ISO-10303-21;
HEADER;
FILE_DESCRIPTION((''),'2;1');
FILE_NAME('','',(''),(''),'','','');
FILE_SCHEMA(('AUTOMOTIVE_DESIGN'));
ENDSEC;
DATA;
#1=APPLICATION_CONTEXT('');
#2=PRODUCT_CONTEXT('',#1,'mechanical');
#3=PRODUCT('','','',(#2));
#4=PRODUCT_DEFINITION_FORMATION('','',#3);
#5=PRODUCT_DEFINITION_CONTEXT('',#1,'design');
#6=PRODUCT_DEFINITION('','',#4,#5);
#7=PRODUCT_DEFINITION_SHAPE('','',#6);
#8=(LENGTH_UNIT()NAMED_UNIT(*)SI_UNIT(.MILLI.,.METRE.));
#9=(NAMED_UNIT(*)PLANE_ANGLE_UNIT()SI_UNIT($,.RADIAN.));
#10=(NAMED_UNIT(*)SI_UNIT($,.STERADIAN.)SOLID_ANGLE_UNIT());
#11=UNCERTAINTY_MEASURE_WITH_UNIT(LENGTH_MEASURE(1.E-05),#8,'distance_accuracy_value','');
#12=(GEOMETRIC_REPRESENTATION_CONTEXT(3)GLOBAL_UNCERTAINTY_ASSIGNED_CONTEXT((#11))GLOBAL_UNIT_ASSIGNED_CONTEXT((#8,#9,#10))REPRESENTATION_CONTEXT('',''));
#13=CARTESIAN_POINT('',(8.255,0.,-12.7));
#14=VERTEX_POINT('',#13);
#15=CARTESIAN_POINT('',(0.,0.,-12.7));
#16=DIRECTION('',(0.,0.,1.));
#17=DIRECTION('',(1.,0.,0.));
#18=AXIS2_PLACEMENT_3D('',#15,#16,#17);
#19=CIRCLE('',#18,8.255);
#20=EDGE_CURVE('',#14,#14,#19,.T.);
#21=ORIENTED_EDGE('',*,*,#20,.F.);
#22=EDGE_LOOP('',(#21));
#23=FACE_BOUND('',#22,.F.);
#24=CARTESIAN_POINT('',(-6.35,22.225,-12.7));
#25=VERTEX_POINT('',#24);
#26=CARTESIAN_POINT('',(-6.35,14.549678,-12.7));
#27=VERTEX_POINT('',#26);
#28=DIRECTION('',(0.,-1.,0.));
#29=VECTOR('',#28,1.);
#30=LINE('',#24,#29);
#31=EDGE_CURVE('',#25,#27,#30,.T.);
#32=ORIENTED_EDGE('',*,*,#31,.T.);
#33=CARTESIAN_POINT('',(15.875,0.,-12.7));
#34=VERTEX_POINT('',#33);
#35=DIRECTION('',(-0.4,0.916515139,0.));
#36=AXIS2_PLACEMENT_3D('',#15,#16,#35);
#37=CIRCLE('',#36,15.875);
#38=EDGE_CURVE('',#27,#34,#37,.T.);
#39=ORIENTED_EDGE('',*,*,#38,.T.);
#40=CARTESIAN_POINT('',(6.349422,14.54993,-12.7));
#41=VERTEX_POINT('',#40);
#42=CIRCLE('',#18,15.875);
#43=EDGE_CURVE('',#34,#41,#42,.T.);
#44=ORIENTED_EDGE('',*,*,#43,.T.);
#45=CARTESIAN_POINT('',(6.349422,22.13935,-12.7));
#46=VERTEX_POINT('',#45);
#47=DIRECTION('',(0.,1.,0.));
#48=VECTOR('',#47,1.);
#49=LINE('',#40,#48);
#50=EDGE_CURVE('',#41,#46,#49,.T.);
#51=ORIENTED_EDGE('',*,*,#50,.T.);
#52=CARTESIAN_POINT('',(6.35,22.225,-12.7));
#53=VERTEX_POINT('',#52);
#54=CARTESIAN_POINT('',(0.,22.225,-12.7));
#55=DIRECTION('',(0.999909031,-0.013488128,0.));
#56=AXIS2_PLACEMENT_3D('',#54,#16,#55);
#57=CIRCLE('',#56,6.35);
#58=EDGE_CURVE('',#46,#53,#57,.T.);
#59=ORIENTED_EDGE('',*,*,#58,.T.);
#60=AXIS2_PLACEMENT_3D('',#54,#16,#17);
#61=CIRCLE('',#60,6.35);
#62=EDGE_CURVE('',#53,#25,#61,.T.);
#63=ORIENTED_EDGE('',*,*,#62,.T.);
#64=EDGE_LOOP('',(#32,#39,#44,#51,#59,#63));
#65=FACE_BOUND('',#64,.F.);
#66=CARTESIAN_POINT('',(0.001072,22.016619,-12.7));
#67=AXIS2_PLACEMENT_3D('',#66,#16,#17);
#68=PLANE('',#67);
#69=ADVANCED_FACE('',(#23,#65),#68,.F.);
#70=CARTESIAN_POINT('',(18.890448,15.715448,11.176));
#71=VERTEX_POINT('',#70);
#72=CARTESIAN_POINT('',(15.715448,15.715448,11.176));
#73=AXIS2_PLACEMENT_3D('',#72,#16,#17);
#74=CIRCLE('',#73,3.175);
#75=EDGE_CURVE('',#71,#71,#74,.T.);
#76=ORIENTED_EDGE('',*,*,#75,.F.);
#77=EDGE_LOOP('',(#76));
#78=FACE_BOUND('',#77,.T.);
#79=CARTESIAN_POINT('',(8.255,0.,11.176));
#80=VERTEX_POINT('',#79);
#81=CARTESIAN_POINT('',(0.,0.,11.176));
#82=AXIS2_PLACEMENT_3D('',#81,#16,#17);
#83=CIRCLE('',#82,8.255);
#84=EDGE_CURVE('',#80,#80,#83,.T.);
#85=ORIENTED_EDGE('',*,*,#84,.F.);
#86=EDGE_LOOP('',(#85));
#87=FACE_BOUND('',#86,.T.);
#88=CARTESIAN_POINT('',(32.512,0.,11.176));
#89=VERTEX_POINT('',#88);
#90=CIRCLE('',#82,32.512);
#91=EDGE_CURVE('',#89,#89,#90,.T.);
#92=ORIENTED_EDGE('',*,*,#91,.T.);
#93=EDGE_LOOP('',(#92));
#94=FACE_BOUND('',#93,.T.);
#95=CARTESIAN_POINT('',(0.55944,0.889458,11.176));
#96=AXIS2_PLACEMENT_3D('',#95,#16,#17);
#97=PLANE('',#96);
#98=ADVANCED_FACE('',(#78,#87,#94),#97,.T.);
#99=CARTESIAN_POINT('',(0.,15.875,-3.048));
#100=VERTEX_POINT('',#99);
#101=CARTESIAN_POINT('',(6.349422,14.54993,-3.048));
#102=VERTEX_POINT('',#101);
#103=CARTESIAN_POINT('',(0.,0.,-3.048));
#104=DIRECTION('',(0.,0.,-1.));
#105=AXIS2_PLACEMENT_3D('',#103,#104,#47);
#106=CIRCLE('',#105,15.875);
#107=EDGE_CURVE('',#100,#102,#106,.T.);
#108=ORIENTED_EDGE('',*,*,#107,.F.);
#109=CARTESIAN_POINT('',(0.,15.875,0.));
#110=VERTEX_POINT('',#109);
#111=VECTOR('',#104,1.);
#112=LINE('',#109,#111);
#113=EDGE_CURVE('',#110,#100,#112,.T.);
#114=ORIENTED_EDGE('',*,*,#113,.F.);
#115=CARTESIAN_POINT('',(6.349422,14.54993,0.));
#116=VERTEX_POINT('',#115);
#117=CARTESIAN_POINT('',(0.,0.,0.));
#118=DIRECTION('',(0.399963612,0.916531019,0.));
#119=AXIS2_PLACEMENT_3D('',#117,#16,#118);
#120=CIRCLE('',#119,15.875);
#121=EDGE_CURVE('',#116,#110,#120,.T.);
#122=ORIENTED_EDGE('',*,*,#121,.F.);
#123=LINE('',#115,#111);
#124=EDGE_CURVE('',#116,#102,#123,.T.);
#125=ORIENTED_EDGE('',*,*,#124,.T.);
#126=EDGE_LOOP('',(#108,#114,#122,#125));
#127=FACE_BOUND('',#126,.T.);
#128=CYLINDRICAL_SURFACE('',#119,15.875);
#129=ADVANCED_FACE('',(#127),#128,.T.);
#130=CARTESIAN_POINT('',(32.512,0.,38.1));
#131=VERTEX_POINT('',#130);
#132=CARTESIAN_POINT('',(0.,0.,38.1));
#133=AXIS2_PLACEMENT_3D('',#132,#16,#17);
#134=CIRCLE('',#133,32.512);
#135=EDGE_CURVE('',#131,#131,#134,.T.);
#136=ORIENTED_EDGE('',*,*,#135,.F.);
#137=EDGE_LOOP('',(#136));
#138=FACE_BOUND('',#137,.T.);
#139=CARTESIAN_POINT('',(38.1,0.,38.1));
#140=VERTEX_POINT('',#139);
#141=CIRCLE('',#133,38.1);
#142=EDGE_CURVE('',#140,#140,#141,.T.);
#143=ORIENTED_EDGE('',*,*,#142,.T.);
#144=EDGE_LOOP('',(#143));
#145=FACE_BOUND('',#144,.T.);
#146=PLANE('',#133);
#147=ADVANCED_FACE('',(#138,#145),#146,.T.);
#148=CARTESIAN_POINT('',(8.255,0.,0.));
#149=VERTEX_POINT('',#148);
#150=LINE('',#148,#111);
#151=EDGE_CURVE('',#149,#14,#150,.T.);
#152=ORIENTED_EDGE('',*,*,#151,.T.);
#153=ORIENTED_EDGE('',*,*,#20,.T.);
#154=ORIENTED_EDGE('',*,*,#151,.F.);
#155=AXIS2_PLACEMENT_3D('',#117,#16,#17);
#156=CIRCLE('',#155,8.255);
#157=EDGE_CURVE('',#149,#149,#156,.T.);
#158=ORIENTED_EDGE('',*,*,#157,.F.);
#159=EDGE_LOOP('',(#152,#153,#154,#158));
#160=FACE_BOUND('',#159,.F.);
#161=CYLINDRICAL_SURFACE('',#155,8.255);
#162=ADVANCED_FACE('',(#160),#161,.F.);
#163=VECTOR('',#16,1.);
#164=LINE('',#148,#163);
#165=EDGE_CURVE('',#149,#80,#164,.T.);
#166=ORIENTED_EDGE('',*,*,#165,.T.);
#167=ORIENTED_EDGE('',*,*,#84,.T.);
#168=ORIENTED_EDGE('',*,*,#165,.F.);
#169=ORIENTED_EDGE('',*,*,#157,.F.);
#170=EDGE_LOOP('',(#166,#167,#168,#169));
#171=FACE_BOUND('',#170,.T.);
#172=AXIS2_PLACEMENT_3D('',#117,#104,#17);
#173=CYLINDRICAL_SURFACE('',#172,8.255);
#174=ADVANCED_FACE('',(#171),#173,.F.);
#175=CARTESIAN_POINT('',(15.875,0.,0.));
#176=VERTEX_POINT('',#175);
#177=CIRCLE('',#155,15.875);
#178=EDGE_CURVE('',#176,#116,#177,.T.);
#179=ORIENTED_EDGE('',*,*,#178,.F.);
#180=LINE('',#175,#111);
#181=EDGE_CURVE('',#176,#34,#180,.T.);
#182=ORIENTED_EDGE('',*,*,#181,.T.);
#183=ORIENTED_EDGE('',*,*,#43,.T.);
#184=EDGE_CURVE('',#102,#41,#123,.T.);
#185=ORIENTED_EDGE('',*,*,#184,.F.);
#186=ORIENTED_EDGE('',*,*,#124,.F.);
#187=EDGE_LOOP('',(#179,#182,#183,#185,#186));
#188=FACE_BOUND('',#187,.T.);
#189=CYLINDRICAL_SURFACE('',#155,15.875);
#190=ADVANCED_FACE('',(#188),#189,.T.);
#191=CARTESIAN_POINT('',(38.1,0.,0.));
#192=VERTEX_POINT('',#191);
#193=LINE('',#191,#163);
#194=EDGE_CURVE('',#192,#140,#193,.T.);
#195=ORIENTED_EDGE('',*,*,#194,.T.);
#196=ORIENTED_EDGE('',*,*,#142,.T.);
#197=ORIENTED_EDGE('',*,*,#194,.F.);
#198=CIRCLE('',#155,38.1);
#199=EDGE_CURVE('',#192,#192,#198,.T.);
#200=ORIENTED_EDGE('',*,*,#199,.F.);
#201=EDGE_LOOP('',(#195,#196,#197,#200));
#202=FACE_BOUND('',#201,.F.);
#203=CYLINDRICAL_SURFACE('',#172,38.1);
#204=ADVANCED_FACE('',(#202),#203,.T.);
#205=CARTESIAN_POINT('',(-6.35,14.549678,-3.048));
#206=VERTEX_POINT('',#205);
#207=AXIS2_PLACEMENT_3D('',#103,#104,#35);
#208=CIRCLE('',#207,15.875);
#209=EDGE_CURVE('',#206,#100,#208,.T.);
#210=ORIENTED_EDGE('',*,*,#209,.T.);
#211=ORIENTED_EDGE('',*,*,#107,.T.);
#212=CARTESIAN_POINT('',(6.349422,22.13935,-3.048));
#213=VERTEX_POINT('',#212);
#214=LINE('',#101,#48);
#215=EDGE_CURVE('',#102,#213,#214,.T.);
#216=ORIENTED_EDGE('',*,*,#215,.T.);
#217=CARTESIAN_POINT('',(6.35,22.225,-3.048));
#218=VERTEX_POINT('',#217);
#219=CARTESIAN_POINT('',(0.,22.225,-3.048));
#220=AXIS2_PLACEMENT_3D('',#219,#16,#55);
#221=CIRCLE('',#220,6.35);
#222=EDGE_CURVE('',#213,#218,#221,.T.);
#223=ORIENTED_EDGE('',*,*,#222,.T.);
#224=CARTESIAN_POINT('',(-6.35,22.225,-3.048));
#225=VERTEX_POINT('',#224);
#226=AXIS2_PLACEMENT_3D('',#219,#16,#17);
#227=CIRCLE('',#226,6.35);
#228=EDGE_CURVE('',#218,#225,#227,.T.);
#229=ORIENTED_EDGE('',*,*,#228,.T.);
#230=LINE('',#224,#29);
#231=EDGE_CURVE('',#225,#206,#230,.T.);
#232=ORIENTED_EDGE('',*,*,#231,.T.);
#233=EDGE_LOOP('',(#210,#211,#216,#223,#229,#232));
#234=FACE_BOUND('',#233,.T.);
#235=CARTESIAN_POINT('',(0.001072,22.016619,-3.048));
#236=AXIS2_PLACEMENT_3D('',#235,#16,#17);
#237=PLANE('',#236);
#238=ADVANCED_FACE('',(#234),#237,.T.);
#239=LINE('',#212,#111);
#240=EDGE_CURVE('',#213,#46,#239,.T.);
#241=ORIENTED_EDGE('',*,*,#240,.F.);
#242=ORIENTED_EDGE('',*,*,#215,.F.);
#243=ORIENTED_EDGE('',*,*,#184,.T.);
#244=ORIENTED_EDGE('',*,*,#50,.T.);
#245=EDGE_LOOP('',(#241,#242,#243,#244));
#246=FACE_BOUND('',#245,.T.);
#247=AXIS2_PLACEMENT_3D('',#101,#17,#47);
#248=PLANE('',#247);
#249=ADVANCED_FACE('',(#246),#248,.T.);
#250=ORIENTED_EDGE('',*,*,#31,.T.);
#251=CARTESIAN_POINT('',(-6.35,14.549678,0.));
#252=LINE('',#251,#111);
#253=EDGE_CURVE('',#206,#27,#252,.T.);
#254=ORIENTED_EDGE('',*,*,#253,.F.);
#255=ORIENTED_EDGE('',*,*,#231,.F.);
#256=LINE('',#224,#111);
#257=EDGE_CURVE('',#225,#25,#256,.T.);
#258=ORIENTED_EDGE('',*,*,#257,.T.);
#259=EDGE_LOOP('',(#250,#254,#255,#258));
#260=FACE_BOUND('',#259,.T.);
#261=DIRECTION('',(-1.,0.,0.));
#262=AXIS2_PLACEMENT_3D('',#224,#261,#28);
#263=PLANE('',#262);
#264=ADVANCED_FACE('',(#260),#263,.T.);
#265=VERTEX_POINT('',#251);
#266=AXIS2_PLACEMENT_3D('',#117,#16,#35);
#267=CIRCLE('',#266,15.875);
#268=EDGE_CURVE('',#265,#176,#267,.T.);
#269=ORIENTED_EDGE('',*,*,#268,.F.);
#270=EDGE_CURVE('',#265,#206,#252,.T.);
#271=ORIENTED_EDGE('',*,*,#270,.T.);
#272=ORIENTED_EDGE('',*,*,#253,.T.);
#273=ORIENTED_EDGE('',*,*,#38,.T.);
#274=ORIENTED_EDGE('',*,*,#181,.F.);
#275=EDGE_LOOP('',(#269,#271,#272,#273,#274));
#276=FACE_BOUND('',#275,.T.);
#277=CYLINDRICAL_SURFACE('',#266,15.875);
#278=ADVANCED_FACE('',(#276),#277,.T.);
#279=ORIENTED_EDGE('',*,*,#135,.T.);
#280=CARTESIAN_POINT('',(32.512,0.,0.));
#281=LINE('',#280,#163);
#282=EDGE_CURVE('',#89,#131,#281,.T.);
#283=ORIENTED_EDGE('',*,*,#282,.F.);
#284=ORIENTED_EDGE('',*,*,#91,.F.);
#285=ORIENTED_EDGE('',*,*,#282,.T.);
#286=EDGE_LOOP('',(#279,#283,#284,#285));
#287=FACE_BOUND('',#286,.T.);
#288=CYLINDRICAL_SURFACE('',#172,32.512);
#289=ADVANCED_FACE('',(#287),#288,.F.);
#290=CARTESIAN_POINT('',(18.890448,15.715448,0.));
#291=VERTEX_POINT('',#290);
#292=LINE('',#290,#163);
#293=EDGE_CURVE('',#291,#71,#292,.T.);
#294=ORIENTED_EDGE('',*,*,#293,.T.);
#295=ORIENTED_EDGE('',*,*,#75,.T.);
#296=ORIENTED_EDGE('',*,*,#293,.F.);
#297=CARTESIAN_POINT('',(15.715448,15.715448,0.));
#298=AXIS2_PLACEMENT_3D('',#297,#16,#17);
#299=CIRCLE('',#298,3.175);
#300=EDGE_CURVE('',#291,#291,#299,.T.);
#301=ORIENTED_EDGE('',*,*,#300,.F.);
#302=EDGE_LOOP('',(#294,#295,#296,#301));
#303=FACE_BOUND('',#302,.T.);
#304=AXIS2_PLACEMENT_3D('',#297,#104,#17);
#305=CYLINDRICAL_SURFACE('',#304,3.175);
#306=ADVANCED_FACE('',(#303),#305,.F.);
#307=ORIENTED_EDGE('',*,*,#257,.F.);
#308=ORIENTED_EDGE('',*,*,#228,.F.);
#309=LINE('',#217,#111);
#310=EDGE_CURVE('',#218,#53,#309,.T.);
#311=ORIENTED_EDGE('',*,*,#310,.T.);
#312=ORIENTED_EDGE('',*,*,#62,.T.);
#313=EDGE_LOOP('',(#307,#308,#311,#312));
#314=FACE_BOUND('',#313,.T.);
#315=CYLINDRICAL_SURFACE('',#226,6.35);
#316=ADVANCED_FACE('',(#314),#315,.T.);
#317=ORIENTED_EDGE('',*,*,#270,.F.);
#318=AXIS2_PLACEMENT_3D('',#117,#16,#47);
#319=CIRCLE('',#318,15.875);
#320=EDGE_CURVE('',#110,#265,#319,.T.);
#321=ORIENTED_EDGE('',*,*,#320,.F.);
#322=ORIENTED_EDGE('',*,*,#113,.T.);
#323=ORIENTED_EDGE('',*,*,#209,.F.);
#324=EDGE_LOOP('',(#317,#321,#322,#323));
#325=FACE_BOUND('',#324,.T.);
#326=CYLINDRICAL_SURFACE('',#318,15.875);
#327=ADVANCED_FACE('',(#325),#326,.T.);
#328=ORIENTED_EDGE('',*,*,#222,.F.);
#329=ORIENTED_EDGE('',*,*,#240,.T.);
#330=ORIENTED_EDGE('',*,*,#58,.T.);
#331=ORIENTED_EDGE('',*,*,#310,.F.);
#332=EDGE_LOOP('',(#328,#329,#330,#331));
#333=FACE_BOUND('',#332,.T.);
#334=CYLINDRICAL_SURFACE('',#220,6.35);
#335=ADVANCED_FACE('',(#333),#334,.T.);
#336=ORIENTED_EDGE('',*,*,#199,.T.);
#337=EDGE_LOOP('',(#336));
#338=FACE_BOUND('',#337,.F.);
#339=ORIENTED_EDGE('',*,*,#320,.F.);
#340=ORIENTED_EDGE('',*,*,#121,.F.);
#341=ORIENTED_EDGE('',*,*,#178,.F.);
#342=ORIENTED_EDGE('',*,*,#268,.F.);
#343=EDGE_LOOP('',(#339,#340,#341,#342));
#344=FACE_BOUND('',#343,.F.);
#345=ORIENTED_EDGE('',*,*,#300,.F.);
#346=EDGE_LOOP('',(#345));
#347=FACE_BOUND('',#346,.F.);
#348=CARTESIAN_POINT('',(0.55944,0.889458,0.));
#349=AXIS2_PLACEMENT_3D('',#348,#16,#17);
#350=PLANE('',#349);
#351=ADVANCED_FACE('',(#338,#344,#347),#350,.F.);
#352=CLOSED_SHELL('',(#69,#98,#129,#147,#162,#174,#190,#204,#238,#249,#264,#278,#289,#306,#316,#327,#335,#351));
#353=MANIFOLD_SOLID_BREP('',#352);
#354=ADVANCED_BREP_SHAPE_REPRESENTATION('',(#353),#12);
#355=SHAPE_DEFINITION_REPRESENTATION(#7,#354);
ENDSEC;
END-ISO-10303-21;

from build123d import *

# Parameters (mm, degrees)
F0_R          = 38.1
F0_R_2        = 32.512
F1_DEPTH      = 38.1
F0_R_3        = 3.175
F2_DEPTH      = 11.176
F0_R_4        = 8.255
F3_DEPTH      = 11.176
F3_DEPTH_BACK = 12.7
F4_START      = -3.048
F4_DEPTH      = 9.652


with BuildPart() as f1:
    # F0 (on Top) → F1 (new body)
    with BuildSketch(Plane.XY):
        Circle(F0_R)
        Circle(F0_R_2, mode=Mode.SUBTRACT)
    extrude(amount=F1_DEPTH)

    # F0 (on Top) → F2 (join)
    with BuildSketch(Plane.XY):
        Circle(F0_R_2)
        with BuildLine():
            ThreePointArc((6.3494223473, 14.5499299262), (13.2818053133, 8.6953592576), (15.875, 0))
            ThreePointArc((15.875, 0), (-8.6950956004, -13.2819779212), (-6.35, 14.5496778315))
            Line((-6.35, 14.5496778315), (-6.35, 22.225))
            ThreePointArc((-6.35, 22.225), (0, 28.575), (6.35, 22.225))
            ThreePointArc((6.35, 22.225), (6.3498555852, 22.18217422), (6.3494223473, 22.139350388))
            Line((6.3494223473, 22.139350388), (6.3494223473, 14.5499299262))
        make_face(mode=Mode.SUBTRACT)
        with Locations((15.7154482119, 15.7154482119)):
            Circle(F0_R_3, mode=Mode.SUBTRACT)
        with BuildLine():
            ThreePointArc((-6.35, 22.225), (-4.4901280605, 17.7348719395), (0, 15.875))
            ThreePointArc((0, 15.875), (4.4597435444, 17.7046916568), (6.3494223473, 22.139350388))
            ThreePointArc((6.3494223473, 22.139350388), (6.3498555852, 22.18217422), (6.35, 22.225))
            ThreePointArc((6.35, 22.225), (0, 28.575), (-6.35, 22.225))
        make_face()
        with BuildLine():
            ThreePointArc((0, 15.875), (3.2431071076, 15.5402020994), (6.3494223473, 14.5499299262))
            Line((6.3494223473, 14.5499299262), (6.3494223473, 22.139350388))
            ThreePointArc((6.3494223473, 22.139350388), (4.4597435444, 17.7046916568), (0, 15.875))
        make_face()
        with BuildLine():
            Line((-6.35, 22.225), (-6.35, 14.5496778315))
            ThreePointArc((-6.35, 14.5496778315), (-3.2434155936, 15.5401377178), (0, 15.875))
            ThreePointArc((0, 15.875), (-4.4901280605, 17.7348719395), (-6.35, 22.225))
        make_face()
    extrude(amount=F2_DEPTH)

    # F0 (on Top) → F3 (join, two sides)
    with BuildSketch(Plane.XY) as f3_sk:
        with BuildLine():
            ThreePointArc((-6.35, 14.5496778315), (-8.6950956004, -13.2819779212), (15.875, 0))
            ThreePointArc((15.875, 0), (13.2818053133, 8.6953592576), (6.3494223473, 14.5499299262))
            ThreePointArc((6.3494223473, 14.5499299262), (3.2431071076, 15.5402020994), (0, 15.875))
            ThreePointArc((0, 15.875), (-3.2434155936, 15.5401377178), (-6.35, 14.5496778315))
        make_face()
        Circle(F0_R_4, mode=Mode.SUBTRACT)
    extrude(amount=F3_DEPTH)
    extrude(f3_sk.sketch, amount=-F3_DEPTH_BACK)

    # F0 (on Top) → F4 (join)
    with BuildSketch(Plane.XY.offset(F4_START)):
        with BuildLine():
            ThreePointArc((-6.35, 22.225), (-4.4901280605, 17.7348719395), (0, 15.875))
            ThreePointArc((0, 15.875), (4.4597435444, 17.7046916568), (6.3494223473, 22.139350388))
            ThreePointArc((6.3494223473, 22.139350388), (6.3498555852, 22.18217422), (6.35, 22.225))
            ThreePointArc((6.35, 22.225), (0, 28.575), (-6.35, 22.225))
        make_face()
        with BuildLine():
            Line((-6.35, 22.225), (-6.35, 14.5496778315))
            ThreePointArc((-6.35, 14.5496778315), (-3.2434155936, 15.5401377178), (0, 15.875))
            ThreePointArc((0, 15.875), (-4.4901280605, 17.7348719395), (-6.35, 22.225))
        make_face()
        with BuildLine():
            ThreePointArc((0, 15.875), (3.2431071076, 15.5402020994), (6.3494223473, 14.5499299262))
            Line((6.3494223473, 14.5499299262), (6.3494223473, 22.139350388))
            ThreePointArc((6.3494223473, 22.139350388), (4.4597435444, 17.7046916568), (0, 15.875))
        make_face()
    extrude(amount=-F4_DEPTH)


solid = f1.part
